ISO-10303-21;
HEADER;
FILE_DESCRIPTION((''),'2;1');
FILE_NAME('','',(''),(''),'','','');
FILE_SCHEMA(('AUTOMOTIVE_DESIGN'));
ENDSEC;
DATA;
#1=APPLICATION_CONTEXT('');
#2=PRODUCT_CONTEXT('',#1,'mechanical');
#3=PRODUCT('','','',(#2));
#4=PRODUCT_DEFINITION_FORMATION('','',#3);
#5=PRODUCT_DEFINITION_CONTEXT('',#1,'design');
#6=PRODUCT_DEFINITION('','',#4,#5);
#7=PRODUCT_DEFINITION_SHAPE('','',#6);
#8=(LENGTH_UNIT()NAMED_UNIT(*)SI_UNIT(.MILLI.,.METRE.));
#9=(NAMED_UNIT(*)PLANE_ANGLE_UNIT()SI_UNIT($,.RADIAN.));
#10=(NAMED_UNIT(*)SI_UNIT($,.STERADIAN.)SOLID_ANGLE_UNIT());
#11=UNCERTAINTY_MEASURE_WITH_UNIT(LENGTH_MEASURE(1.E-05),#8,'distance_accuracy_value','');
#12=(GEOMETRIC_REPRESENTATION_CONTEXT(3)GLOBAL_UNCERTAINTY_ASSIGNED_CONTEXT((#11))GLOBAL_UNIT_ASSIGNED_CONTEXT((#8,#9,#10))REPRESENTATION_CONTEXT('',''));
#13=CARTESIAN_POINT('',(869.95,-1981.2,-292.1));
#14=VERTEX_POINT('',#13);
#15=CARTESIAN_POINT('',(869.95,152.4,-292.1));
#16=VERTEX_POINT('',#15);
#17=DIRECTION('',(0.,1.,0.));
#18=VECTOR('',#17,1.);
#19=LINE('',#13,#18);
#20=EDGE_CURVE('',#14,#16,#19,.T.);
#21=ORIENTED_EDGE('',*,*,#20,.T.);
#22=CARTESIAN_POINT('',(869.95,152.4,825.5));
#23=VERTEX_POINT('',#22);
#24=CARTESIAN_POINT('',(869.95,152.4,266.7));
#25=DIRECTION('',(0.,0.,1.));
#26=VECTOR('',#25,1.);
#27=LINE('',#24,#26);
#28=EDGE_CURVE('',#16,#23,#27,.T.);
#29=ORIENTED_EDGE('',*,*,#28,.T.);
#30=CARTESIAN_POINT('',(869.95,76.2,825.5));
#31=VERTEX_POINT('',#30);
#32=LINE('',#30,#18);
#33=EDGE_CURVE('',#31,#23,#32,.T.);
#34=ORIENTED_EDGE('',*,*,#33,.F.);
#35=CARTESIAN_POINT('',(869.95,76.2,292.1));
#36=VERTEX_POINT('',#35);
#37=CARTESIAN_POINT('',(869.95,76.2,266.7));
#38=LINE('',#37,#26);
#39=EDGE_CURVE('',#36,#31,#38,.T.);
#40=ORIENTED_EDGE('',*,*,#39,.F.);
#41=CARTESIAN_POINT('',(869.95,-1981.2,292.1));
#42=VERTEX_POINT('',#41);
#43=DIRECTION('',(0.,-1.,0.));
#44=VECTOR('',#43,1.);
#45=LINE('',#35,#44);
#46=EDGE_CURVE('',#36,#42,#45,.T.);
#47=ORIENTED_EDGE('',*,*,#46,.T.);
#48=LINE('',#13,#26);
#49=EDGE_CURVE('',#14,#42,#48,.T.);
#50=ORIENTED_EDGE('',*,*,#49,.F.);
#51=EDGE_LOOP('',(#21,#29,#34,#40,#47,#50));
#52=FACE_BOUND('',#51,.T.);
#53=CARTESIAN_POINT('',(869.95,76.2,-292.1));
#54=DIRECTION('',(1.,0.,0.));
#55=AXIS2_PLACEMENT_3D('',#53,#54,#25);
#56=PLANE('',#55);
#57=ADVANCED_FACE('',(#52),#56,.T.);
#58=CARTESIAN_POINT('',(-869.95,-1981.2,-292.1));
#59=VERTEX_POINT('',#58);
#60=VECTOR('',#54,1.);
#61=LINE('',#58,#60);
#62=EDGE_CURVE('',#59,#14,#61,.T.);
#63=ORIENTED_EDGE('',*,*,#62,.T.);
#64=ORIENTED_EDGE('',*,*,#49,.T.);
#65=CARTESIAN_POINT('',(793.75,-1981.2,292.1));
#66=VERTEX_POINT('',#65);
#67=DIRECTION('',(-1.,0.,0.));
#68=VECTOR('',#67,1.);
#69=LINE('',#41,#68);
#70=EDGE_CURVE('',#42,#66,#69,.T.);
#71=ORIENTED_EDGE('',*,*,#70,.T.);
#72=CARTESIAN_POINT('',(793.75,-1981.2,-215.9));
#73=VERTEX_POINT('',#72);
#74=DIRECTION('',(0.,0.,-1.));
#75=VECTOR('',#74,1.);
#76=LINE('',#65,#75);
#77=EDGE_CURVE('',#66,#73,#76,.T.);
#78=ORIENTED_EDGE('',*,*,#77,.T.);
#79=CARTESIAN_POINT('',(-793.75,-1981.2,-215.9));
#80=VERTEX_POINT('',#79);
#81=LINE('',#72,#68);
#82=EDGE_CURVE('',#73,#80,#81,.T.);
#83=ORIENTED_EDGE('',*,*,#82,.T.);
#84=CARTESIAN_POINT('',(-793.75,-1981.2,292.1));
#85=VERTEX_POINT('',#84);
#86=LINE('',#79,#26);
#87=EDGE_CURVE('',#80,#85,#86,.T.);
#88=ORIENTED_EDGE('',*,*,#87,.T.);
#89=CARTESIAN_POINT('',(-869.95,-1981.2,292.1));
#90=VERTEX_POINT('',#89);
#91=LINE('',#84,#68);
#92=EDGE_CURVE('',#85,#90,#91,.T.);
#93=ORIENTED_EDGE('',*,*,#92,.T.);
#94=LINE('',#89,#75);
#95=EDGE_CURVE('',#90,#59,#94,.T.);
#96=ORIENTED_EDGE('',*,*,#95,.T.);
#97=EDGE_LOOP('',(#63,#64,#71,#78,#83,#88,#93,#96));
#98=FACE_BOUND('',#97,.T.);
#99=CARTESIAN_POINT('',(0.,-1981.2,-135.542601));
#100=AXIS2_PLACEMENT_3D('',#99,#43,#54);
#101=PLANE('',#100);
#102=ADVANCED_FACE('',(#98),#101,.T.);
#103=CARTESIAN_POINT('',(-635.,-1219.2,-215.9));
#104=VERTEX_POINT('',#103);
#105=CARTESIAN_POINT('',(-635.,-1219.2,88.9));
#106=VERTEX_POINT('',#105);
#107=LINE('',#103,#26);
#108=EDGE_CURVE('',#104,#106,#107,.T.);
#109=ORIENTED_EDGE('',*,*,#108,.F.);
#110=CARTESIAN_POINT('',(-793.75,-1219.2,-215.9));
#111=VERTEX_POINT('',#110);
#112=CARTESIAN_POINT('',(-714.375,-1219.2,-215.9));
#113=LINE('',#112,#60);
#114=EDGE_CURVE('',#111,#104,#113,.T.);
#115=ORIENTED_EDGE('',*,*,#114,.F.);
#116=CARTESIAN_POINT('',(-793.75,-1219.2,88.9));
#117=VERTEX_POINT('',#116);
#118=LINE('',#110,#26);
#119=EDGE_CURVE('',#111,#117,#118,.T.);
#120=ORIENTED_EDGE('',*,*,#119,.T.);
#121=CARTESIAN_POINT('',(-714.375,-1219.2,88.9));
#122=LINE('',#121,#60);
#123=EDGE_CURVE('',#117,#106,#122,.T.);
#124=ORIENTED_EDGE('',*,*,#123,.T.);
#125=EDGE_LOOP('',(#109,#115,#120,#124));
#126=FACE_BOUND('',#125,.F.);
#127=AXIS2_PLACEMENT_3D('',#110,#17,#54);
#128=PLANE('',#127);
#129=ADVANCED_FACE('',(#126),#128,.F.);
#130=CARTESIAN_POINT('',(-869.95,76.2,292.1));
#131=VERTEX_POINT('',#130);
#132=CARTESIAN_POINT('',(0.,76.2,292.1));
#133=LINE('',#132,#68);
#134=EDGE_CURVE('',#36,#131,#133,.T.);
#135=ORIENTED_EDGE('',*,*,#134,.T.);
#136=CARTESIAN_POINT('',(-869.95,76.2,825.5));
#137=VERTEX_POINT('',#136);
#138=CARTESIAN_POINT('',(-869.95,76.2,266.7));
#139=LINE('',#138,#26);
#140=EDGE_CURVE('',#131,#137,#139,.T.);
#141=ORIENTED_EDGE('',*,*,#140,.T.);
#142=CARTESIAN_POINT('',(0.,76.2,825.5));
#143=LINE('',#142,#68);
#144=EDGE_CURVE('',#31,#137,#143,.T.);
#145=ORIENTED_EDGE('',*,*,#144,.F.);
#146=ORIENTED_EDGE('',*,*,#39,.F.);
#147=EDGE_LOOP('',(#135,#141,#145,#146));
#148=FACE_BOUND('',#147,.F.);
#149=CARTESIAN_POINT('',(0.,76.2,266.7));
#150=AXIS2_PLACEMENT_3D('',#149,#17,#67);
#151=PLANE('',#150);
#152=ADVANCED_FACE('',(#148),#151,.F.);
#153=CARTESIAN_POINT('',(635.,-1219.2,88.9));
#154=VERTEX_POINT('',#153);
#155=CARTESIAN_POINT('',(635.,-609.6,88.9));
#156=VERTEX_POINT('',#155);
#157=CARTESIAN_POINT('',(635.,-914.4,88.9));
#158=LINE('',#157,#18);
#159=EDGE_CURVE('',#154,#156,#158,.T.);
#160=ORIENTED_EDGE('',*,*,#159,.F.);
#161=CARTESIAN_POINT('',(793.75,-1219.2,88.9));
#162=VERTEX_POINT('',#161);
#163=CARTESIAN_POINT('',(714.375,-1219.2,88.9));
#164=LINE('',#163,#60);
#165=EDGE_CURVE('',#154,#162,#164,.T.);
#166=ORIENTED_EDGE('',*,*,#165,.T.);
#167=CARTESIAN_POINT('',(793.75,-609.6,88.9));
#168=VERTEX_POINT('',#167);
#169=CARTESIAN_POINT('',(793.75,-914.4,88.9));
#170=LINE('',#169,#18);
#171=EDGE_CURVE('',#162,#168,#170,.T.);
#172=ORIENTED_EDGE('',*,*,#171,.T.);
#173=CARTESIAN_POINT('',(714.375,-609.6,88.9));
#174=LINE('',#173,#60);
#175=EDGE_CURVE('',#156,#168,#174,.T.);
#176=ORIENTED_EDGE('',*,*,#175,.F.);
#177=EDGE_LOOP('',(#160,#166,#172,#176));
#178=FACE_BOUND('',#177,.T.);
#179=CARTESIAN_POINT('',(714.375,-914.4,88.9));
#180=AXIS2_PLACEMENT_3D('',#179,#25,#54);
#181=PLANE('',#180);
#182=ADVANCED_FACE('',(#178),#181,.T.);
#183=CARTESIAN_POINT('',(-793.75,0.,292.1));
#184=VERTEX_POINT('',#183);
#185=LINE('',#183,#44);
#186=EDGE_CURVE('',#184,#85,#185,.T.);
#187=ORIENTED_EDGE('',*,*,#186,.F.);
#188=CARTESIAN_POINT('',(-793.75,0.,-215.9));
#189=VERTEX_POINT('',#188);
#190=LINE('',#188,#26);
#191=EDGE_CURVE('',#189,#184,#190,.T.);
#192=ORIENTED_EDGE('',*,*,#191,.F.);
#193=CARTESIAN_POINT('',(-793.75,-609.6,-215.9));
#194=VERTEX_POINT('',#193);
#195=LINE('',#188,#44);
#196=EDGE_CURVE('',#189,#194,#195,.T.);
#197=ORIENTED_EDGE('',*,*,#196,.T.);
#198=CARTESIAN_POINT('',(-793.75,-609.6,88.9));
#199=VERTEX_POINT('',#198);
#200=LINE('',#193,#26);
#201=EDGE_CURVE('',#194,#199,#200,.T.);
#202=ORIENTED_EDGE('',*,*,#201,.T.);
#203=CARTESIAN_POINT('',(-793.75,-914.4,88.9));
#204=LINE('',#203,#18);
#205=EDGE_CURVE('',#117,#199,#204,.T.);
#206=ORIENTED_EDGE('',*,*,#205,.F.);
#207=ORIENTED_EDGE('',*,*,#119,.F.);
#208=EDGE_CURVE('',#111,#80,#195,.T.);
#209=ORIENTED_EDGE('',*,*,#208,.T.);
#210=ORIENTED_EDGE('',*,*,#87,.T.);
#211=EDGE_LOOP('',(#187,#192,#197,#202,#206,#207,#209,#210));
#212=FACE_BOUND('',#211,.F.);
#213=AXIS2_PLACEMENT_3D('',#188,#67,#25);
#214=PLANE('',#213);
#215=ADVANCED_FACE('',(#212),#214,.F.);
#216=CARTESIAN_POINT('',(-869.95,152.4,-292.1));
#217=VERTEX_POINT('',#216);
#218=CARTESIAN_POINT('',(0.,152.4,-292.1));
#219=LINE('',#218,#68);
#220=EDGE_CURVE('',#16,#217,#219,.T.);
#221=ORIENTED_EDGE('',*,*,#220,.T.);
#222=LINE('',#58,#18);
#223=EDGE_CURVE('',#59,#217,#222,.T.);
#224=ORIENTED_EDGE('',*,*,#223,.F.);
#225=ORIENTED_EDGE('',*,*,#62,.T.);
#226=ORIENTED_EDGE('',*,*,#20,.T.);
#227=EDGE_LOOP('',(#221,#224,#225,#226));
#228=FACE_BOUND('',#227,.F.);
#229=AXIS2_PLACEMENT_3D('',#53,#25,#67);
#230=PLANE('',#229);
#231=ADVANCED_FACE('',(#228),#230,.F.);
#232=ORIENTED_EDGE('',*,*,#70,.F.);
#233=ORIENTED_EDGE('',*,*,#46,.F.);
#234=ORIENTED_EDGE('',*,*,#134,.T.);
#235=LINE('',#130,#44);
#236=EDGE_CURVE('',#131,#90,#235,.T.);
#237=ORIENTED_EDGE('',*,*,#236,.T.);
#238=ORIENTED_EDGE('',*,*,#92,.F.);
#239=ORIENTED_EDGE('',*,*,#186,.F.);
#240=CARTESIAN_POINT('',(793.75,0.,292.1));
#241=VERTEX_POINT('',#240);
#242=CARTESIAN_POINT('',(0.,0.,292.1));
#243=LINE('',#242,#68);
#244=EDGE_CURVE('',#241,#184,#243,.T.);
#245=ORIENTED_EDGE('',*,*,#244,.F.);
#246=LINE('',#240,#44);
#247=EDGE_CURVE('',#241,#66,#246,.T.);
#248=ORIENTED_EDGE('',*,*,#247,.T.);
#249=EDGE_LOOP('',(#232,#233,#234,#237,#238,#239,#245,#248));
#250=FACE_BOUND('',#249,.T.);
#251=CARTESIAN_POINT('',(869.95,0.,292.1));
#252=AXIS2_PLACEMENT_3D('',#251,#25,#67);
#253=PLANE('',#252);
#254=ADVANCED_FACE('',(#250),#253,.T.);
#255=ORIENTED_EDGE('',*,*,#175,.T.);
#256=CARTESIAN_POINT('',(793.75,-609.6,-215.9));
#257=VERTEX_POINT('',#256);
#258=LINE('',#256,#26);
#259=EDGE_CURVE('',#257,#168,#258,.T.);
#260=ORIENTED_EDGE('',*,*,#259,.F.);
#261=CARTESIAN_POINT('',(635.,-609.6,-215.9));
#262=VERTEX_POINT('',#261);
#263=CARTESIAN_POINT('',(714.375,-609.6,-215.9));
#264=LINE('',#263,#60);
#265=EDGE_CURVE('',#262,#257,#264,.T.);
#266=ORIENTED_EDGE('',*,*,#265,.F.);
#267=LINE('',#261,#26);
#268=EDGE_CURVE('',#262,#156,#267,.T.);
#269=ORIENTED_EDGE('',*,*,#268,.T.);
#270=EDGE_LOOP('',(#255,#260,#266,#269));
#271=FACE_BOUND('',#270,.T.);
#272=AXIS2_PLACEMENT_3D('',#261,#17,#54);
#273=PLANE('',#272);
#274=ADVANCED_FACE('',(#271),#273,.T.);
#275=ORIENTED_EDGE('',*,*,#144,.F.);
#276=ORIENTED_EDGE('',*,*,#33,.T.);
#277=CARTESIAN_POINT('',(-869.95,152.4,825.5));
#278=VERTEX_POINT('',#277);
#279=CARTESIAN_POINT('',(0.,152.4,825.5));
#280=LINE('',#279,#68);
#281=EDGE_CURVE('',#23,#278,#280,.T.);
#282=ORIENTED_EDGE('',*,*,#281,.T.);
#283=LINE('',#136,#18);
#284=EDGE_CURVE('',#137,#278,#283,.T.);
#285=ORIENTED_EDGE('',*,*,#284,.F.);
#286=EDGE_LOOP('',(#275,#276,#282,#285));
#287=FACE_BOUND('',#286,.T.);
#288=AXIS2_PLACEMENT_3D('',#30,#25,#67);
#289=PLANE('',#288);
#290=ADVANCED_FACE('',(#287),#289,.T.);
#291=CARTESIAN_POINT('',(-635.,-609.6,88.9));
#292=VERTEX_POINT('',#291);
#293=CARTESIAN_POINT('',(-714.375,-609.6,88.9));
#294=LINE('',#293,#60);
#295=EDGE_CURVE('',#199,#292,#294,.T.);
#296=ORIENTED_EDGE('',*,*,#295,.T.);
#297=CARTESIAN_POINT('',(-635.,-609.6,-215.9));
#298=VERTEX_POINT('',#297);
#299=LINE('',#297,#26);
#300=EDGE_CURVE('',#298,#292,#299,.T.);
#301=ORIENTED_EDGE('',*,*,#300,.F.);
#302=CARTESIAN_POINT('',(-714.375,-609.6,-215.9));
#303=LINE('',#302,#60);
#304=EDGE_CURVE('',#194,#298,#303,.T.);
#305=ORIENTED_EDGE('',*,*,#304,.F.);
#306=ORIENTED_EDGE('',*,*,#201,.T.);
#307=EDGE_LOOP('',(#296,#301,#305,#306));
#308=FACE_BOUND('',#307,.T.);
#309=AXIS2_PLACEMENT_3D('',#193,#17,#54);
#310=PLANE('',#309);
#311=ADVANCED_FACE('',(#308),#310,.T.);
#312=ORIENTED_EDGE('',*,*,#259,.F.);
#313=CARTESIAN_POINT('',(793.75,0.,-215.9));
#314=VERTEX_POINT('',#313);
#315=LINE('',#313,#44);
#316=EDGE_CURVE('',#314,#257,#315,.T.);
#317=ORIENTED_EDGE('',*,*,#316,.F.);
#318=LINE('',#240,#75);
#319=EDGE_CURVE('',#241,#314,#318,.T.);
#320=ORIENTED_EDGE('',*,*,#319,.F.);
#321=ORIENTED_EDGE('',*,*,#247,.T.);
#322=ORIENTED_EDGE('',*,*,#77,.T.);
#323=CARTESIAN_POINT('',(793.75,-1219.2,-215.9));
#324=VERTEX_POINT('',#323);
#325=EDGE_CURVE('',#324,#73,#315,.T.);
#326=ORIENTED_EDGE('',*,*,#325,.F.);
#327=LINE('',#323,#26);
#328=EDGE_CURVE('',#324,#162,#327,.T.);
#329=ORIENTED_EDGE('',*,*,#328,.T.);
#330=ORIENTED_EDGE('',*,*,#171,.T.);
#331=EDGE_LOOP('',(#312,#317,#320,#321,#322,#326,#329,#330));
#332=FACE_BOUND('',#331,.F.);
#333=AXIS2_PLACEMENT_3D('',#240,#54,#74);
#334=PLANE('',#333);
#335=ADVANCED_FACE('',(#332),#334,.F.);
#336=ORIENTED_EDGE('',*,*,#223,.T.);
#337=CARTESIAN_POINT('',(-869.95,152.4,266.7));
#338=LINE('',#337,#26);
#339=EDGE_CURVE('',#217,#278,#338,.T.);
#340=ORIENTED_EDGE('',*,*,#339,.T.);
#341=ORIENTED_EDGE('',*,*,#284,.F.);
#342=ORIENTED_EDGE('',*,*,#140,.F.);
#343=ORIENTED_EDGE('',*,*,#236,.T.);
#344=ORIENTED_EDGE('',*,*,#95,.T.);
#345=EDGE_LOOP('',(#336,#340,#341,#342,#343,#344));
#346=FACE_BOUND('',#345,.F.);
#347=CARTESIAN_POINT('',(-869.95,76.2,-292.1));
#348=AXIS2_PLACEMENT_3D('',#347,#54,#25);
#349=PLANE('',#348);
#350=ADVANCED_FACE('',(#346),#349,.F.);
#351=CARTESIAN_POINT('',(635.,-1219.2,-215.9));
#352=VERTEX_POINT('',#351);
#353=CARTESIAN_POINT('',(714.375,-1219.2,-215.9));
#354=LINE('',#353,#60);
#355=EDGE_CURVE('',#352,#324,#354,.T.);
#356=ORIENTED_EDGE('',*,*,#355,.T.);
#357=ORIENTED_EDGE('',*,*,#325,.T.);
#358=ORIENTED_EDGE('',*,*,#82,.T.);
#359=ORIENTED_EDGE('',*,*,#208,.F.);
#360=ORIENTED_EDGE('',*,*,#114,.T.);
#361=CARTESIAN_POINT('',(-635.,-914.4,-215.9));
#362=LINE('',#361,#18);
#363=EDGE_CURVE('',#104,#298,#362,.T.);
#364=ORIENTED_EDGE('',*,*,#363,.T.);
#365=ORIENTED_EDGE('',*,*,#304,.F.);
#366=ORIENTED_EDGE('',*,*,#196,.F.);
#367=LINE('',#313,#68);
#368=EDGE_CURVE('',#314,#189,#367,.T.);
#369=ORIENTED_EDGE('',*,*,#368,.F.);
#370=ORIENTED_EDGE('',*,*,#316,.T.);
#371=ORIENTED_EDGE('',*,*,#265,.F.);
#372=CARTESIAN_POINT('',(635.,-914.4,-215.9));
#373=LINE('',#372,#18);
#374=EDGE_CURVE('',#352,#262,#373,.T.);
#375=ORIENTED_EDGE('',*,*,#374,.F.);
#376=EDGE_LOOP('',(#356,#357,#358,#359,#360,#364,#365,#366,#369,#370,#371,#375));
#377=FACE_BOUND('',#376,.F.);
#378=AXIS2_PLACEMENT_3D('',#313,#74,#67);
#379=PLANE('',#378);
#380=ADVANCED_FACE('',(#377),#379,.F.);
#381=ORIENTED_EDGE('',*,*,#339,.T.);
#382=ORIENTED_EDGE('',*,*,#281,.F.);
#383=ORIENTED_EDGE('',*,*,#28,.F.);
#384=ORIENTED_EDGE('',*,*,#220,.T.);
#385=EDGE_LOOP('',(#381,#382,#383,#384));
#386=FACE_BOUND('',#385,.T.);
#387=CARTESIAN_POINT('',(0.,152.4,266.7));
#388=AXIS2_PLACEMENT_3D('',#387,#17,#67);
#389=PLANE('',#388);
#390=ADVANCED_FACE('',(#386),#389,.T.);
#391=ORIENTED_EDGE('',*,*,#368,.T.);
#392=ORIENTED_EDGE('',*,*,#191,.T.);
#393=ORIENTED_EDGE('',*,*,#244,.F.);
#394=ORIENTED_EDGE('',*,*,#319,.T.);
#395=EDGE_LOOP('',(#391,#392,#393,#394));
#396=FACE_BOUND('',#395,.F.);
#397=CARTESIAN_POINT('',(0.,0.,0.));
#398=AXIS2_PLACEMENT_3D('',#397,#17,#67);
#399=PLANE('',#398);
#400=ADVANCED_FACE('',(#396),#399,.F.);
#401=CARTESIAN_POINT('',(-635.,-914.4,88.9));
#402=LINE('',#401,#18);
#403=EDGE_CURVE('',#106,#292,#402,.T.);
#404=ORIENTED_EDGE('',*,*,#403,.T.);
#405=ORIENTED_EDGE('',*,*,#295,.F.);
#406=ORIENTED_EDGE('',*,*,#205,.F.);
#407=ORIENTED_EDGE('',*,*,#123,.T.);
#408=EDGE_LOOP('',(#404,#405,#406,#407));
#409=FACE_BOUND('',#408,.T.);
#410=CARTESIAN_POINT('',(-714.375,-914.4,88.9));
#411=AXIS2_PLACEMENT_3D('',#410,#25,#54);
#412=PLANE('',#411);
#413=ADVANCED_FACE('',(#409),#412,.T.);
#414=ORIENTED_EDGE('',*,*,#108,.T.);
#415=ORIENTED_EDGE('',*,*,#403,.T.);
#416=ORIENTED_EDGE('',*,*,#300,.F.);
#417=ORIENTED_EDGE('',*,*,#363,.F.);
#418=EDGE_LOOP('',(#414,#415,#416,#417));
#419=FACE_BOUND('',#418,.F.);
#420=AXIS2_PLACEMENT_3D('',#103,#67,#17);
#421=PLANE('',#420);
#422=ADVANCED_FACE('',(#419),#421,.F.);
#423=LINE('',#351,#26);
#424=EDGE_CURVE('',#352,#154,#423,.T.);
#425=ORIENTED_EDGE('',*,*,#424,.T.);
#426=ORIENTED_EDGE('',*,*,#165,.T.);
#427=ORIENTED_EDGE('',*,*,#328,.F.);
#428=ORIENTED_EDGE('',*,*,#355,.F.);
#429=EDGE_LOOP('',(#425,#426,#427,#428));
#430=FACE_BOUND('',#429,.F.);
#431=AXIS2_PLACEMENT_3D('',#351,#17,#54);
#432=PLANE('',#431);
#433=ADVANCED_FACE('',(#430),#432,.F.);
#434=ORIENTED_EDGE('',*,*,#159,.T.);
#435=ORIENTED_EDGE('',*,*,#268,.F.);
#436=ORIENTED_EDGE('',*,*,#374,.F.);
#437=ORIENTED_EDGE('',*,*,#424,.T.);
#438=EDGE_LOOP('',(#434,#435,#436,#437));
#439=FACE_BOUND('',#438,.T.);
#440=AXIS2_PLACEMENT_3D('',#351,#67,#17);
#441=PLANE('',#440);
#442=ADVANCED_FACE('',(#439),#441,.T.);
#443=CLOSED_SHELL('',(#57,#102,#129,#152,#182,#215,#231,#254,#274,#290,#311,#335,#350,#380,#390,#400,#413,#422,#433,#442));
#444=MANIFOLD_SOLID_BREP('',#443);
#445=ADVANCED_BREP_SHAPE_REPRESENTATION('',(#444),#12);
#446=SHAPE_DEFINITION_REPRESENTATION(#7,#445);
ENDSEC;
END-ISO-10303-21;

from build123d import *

# Parameters (mm, degrees)
F1_DEPTH = 1981.2
F2_W     = 1739.9
F2_H     = 584.2
F3_DEPTH = 76.2
F4_W     = 158.75
F4_H     = 609.6
F5_DEPTH = 304.8
F6_W     = 1739.9
F6_H     = 1117.6
F7_DEPTH = 76.2


with BuildPart() as f1:
    # F0 (on Front) → F1 (new body)
    with BuildSketch(Plane.XZ):
        Polygon((869.95, -292.1), (869.95, 292.1), (793.75, 292.1), (793.75, -215.9), (-793.75, -215.9), (-793.75, 292.1), (-869.95, 292.1), (-869.95, -292.1), align=None)
    extrude(amount=F1_DEPTH)

    # F2 (on face) → F3 (join)
    with BuildSketch(Plane(origin=(0, 0, 0), x_dir=(-1, 0, 0), z_dir=(0, 1, 0))):
        Rectangle(F2_W, F2_H)
    extrude(amount=F3_DEPTH)

    # F4 (on face) → F5 (join)
    with BuildSketch(Plane.XY.offset(-215.9)):
        with Locations((-714.375, -914.4)):
            Rectangle(F4_W, F4_H)
        with Locations((714.375, -914.4)):
            Rectangle(F4_W, F4_H)
    extrude(amount=F5_DEPTH)

    # F6 (on face) → F7 (join)
    with BuildSketch(Plane(origin=(0, 76.2, 0), x_dir=(-1, 0, 0), z_dir=(0, 1, 0))):
        with Locations((0, 266.7)):
            Rectangle(F6_W, F6_H)
    extrude(amount=F7_DEPTH)


solid = f1.part
